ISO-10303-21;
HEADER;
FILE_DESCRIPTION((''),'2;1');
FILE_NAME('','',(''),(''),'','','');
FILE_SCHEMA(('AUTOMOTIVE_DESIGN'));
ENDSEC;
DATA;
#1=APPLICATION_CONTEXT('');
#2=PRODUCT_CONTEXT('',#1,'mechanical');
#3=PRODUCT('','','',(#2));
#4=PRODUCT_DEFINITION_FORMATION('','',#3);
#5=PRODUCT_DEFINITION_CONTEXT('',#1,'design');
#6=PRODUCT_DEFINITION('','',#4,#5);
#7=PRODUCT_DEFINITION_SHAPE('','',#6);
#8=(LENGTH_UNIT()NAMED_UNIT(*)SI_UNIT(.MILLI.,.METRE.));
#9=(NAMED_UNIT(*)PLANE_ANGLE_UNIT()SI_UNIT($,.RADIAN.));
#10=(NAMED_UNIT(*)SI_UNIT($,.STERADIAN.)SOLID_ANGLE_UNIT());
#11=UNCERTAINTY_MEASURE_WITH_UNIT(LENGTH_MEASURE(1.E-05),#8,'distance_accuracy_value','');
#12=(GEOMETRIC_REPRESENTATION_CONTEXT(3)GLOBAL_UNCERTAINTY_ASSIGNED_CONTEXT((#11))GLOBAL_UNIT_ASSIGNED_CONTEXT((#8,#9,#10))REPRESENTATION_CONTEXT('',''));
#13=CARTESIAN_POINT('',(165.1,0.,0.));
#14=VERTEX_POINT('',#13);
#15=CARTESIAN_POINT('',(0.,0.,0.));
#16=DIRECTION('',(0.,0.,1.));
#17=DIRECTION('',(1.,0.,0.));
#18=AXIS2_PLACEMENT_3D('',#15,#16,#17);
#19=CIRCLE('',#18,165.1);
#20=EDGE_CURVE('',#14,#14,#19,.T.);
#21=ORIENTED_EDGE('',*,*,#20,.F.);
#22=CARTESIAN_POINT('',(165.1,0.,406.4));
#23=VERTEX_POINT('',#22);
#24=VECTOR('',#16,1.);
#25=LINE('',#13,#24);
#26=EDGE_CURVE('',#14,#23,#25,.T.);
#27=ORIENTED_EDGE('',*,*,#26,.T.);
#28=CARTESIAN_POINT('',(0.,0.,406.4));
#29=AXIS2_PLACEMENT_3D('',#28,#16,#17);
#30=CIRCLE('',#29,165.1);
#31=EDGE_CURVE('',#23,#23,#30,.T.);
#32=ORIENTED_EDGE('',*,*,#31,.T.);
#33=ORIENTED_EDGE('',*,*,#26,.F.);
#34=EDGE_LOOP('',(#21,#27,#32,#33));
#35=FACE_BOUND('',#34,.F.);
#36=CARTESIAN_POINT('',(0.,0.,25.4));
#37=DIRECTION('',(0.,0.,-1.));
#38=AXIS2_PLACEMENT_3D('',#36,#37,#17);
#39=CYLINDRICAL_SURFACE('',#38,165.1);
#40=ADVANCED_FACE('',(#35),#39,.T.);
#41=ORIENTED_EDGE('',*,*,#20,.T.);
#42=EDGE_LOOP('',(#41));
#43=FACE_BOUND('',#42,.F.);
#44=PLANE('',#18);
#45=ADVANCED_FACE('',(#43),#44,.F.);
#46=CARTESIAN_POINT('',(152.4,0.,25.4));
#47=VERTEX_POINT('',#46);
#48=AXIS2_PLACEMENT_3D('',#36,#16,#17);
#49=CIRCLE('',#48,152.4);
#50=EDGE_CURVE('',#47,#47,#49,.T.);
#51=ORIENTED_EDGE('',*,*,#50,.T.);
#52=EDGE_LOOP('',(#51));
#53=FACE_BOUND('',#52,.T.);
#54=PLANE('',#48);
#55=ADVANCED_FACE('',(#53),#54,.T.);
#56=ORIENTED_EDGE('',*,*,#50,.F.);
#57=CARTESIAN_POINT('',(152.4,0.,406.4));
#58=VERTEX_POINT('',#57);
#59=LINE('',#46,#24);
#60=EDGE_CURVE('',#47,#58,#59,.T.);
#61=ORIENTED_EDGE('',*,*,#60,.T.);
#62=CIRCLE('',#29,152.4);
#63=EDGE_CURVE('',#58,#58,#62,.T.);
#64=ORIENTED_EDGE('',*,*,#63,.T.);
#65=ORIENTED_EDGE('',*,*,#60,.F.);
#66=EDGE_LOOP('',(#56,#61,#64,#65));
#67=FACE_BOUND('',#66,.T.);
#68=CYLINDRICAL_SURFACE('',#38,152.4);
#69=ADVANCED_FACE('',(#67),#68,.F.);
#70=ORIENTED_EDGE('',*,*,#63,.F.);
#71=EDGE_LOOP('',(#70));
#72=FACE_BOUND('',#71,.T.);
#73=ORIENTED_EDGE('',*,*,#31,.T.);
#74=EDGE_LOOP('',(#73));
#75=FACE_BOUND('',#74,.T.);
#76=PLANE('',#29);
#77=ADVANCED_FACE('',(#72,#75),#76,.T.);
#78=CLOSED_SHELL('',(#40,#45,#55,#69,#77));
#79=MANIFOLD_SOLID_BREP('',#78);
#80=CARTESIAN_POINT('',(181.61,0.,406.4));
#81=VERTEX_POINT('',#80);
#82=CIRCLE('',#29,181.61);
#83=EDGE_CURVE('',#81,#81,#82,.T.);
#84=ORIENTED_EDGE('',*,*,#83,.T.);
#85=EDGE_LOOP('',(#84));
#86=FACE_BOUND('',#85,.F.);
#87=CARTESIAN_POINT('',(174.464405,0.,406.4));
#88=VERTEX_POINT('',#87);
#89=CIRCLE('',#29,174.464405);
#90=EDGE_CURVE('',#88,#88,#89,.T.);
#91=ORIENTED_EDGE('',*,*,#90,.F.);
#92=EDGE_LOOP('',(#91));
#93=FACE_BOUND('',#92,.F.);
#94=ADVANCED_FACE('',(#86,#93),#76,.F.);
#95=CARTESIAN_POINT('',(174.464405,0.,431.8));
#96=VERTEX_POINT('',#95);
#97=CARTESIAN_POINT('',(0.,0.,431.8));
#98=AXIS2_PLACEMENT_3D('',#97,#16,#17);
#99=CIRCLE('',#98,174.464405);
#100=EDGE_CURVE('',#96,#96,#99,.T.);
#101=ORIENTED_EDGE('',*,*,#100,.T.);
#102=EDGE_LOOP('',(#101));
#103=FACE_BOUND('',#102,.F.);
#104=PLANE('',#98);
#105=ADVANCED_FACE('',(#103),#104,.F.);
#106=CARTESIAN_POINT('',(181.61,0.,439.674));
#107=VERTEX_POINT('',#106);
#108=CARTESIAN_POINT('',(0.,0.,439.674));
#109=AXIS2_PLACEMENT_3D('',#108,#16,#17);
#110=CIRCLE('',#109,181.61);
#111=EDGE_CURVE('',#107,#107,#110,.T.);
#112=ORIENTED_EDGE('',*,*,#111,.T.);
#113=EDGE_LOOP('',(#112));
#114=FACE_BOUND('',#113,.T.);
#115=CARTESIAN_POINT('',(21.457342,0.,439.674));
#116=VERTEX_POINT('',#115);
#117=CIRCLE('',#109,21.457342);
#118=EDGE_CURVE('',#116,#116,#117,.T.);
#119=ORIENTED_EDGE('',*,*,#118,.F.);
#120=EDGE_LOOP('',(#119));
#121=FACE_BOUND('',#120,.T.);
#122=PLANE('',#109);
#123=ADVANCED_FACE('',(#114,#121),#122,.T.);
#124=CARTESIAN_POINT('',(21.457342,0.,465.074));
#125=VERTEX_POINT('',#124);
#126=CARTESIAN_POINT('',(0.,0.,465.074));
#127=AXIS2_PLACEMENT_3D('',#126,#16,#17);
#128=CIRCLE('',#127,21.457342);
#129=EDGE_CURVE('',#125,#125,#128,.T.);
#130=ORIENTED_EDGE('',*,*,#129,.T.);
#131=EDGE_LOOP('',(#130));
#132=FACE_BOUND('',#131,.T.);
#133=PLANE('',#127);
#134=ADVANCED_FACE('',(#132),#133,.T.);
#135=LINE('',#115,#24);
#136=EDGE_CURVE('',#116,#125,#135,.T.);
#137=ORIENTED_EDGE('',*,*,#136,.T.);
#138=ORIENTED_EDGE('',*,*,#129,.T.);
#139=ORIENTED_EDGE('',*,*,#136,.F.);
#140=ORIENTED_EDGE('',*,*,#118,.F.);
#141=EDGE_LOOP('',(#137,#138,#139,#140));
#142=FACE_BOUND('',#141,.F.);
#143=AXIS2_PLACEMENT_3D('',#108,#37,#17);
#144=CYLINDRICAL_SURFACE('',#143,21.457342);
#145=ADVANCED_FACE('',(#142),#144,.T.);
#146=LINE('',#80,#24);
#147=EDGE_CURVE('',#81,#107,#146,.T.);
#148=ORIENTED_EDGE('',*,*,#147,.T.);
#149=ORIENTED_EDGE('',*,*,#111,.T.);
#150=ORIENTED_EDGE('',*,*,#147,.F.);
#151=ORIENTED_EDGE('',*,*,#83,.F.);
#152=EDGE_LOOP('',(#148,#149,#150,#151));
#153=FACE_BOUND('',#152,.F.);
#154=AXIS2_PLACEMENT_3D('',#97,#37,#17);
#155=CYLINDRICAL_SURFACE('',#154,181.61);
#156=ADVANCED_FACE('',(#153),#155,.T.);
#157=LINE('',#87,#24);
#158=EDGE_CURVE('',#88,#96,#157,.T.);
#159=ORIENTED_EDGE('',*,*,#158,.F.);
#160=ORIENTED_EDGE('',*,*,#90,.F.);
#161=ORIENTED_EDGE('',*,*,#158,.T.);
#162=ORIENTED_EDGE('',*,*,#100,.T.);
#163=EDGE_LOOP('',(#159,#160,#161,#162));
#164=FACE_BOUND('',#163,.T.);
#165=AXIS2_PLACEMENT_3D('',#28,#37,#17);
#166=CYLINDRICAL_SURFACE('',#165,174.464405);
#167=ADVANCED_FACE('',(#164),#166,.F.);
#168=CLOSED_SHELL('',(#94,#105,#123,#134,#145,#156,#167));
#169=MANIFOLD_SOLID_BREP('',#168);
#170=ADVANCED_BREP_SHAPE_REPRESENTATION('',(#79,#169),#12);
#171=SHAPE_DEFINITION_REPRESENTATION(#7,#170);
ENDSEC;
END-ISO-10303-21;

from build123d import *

# Parameters (mm, degrees)
F0_R     = 165.1
F1_DEPTH = 25.4
F2_R     = 165.1
F2_R_2   = 152.4
F3_DEPTH = 381
F4_R     = 181.61
F4_R_2   = 174.464405
F5_DEPTH = 25.4
F6_R     = 181.61
F7_DEPTH = 7.874
F8_R     = 21.457342
F9_DEPTH = 25.4


with BuildPart() as f1:
    # F0 (on Top) → F1 (new body)
    with BuildSketch(Plane.XY):
        Circle(F0_R)
    extrude(amount=F1_DEPTH)

    # F2 (on face) → F3 (join)
    with BuildSketch(Plane.XY.offset(25.4)):
        Circle(F2_R)
        Circle(F2_R_2, mode=Mode.SUBTRACT)
    extrude(amount=F3_DEPTH)


with BuildPart() as f5:
    # F4 (on face) → F5 (new body)
    with BuildSketch(Plane.XY.offset(406.4)):
        Circle(F4_R)
        Circle(F4_R_2, mode=Mode.SUBTRACT)
    extrude(amount=F5_DEPTH)

    # F6 (on face) → F7 (join)
    with BuildSketch(Plane.XY.offset(431.8)):
        Circle(F6_R)
    extrude(amount=F7_DEPTH)

    # F8 (on face) → F9 (join)
    with BuildSketch(Plane.XY.offset(439.674)):
        Circle(F8_R)
    extrude(amount=F9_DEPTH)


solid = Compound([f1.part, f5.part])
